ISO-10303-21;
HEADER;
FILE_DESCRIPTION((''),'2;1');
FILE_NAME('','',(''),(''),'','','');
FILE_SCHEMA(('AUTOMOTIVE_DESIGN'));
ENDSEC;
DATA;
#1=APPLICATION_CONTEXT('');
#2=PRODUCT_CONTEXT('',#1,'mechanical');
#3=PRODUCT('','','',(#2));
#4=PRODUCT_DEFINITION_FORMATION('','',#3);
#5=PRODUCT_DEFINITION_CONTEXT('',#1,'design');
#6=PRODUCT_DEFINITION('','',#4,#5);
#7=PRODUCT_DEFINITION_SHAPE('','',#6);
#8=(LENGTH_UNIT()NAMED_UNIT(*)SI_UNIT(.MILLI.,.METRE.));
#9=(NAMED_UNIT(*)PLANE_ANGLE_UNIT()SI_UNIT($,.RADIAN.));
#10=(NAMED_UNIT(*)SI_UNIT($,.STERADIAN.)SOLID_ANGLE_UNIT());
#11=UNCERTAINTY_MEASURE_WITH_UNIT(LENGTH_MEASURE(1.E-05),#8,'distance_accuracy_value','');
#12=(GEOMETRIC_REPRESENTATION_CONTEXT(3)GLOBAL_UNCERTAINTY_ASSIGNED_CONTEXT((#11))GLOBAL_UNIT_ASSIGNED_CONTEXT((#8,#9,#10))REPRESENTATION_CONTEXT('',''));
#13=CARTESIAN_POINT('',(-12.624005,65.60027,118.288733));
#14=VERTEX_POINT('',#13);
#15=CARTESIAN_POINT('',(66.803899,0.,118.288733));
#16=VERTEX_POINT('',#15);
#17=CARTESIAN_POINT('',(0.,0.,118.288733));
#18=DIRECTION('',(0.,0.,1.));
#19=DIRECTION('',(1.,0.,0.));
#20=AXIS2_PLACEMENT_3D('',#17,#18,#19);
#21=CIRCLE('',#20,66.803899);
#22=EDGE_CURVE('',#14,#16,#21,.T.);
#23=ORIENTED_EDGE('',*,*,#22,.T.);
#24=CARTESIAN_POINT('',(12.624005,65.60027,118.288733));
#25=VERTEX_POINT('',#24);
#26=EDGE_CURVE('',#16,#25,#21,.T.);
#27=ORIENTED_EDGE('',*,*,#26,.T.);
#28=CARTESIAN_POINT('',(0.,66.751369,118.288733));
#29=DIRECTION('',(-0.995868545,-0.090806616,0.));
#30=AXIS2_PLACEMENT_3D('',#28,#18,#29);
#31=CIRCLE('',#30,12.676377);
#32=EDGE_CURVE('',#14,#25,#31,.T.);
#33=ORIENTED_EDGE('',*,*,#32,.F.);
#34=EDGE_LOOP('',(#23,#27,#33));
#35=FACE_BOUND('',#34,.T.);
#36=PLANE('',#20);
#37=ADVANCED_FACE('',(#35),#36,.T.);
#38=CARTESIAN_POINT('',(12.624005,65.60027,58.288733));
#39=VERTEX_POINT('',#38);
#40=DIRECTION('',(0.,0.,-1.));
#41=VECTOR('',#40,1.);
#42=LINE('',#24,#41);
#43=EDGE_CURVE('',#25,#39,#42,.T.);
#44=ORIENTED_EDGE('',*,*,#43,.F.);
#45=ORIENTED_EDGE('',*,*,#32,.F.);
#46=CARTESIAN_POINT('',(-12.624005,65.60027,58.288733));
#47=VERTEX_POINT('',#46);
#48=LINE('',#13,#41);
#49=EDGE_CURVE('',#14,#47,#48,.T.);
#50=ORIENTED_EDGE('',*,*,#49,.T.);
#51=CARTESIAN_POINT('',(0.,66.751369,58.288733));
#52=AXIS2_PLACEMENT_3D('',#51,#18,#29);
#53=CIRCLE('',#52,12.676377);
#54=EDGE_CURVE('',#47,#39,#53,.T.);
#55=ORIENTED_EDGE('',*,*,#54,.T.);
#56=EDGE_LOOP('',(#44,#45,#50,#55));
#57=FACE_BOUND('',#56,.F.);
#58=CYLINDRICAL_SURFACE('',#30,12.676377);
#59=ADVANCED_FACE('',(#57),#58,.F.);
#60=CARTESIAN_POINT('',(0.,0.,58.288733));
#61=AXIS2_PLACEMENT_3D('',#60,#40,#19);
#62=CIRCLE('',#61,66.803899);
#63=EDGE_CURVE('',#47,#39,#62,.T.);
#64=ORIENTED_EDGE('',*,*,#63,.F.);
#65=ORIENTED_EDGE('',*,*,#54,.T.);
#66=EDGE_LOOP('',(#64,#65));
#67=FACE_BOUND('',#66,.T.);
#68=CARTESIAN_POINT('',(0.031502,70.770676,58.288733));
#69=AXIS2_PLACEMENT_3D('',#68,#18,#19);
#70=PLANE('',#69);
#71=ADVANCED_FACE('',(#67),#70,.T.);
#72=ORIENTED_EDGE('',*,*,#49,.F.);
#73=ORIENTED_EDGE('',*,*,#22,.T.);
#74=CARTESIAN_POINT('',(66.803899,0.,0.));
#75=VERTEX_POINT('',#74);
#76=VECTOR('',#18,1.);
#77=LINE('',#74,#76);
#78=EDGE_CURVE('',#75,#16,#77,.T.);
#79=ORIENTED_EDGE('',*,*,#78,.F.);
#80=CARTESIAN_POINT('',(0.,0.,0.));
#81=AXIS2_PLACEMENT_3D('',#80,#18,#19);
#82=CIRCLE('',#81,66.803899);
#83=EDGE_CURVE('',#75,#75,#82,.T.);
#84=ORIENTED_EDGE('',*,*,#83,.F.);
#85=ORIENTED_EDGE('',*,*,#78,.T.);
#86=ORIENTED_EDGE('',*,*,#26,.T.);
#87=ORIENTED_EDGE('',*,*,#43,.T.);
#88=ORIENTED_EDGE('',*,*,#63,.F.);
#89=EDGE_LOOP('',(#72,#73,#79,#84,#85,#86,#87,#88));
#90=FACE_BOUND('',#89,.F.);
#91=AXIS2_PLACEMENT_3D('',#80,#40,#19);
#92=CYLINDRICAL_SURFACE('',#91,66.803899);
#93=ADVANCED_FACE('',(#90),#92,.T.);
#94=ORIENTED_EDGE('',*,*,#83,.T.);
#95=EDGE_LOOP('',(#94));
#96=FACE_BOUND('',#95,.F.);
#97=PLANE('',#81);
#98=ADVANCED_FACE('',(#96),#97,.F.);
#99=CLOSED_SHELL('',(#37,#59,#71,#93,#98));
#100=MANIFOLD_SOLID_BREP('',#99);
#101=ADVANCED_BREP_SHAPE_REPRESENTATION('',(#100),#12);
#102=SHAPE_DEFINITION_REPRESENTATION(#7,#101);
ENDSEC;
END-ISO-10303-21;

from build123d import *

# Parameters (mm, degrees)
F0_R     = 66.803899
F1_DEPTH = 118.288733
F4_DEPTH = 60


with BuildPart() as f1:
    # F0 (on Top) → F1 (new body)
    with BuildSketch(Plane.XY):
        Circle(F0_R)
    extrude(amount=F1_DEPTH)

    # F3 (on face) → F4 (cut)
    with BuildSketch(Plane.XY.offset(118.288733)):
        with BuildLine():
            ThreePointArc((12.624005, 65.60027), (12.663277, 66.175224), (12.676377, 66.751368))
            ThreePointArc((12.676377, 66.751368), (-0.576144, 79.414645), (-12.624005, 65.60027))
            ThreePointArc((-12.624005, 65.60027), (0, 66.803899), (12.624005, 65.60027))
        make_face()
        with BuildLine():
            ThreePointArc((12.624005, 65.60027), (0, 66.803899), (-12.624005, 65.60027))
            ThreePointArc((-12.624005, 65.60027), (0, 54.074992), (12.624005, 65.60027))
        make_face()
    extrude(amount=-F4_DEPTH, mode=Mode.SUBTRACT)


solid = f1.part
